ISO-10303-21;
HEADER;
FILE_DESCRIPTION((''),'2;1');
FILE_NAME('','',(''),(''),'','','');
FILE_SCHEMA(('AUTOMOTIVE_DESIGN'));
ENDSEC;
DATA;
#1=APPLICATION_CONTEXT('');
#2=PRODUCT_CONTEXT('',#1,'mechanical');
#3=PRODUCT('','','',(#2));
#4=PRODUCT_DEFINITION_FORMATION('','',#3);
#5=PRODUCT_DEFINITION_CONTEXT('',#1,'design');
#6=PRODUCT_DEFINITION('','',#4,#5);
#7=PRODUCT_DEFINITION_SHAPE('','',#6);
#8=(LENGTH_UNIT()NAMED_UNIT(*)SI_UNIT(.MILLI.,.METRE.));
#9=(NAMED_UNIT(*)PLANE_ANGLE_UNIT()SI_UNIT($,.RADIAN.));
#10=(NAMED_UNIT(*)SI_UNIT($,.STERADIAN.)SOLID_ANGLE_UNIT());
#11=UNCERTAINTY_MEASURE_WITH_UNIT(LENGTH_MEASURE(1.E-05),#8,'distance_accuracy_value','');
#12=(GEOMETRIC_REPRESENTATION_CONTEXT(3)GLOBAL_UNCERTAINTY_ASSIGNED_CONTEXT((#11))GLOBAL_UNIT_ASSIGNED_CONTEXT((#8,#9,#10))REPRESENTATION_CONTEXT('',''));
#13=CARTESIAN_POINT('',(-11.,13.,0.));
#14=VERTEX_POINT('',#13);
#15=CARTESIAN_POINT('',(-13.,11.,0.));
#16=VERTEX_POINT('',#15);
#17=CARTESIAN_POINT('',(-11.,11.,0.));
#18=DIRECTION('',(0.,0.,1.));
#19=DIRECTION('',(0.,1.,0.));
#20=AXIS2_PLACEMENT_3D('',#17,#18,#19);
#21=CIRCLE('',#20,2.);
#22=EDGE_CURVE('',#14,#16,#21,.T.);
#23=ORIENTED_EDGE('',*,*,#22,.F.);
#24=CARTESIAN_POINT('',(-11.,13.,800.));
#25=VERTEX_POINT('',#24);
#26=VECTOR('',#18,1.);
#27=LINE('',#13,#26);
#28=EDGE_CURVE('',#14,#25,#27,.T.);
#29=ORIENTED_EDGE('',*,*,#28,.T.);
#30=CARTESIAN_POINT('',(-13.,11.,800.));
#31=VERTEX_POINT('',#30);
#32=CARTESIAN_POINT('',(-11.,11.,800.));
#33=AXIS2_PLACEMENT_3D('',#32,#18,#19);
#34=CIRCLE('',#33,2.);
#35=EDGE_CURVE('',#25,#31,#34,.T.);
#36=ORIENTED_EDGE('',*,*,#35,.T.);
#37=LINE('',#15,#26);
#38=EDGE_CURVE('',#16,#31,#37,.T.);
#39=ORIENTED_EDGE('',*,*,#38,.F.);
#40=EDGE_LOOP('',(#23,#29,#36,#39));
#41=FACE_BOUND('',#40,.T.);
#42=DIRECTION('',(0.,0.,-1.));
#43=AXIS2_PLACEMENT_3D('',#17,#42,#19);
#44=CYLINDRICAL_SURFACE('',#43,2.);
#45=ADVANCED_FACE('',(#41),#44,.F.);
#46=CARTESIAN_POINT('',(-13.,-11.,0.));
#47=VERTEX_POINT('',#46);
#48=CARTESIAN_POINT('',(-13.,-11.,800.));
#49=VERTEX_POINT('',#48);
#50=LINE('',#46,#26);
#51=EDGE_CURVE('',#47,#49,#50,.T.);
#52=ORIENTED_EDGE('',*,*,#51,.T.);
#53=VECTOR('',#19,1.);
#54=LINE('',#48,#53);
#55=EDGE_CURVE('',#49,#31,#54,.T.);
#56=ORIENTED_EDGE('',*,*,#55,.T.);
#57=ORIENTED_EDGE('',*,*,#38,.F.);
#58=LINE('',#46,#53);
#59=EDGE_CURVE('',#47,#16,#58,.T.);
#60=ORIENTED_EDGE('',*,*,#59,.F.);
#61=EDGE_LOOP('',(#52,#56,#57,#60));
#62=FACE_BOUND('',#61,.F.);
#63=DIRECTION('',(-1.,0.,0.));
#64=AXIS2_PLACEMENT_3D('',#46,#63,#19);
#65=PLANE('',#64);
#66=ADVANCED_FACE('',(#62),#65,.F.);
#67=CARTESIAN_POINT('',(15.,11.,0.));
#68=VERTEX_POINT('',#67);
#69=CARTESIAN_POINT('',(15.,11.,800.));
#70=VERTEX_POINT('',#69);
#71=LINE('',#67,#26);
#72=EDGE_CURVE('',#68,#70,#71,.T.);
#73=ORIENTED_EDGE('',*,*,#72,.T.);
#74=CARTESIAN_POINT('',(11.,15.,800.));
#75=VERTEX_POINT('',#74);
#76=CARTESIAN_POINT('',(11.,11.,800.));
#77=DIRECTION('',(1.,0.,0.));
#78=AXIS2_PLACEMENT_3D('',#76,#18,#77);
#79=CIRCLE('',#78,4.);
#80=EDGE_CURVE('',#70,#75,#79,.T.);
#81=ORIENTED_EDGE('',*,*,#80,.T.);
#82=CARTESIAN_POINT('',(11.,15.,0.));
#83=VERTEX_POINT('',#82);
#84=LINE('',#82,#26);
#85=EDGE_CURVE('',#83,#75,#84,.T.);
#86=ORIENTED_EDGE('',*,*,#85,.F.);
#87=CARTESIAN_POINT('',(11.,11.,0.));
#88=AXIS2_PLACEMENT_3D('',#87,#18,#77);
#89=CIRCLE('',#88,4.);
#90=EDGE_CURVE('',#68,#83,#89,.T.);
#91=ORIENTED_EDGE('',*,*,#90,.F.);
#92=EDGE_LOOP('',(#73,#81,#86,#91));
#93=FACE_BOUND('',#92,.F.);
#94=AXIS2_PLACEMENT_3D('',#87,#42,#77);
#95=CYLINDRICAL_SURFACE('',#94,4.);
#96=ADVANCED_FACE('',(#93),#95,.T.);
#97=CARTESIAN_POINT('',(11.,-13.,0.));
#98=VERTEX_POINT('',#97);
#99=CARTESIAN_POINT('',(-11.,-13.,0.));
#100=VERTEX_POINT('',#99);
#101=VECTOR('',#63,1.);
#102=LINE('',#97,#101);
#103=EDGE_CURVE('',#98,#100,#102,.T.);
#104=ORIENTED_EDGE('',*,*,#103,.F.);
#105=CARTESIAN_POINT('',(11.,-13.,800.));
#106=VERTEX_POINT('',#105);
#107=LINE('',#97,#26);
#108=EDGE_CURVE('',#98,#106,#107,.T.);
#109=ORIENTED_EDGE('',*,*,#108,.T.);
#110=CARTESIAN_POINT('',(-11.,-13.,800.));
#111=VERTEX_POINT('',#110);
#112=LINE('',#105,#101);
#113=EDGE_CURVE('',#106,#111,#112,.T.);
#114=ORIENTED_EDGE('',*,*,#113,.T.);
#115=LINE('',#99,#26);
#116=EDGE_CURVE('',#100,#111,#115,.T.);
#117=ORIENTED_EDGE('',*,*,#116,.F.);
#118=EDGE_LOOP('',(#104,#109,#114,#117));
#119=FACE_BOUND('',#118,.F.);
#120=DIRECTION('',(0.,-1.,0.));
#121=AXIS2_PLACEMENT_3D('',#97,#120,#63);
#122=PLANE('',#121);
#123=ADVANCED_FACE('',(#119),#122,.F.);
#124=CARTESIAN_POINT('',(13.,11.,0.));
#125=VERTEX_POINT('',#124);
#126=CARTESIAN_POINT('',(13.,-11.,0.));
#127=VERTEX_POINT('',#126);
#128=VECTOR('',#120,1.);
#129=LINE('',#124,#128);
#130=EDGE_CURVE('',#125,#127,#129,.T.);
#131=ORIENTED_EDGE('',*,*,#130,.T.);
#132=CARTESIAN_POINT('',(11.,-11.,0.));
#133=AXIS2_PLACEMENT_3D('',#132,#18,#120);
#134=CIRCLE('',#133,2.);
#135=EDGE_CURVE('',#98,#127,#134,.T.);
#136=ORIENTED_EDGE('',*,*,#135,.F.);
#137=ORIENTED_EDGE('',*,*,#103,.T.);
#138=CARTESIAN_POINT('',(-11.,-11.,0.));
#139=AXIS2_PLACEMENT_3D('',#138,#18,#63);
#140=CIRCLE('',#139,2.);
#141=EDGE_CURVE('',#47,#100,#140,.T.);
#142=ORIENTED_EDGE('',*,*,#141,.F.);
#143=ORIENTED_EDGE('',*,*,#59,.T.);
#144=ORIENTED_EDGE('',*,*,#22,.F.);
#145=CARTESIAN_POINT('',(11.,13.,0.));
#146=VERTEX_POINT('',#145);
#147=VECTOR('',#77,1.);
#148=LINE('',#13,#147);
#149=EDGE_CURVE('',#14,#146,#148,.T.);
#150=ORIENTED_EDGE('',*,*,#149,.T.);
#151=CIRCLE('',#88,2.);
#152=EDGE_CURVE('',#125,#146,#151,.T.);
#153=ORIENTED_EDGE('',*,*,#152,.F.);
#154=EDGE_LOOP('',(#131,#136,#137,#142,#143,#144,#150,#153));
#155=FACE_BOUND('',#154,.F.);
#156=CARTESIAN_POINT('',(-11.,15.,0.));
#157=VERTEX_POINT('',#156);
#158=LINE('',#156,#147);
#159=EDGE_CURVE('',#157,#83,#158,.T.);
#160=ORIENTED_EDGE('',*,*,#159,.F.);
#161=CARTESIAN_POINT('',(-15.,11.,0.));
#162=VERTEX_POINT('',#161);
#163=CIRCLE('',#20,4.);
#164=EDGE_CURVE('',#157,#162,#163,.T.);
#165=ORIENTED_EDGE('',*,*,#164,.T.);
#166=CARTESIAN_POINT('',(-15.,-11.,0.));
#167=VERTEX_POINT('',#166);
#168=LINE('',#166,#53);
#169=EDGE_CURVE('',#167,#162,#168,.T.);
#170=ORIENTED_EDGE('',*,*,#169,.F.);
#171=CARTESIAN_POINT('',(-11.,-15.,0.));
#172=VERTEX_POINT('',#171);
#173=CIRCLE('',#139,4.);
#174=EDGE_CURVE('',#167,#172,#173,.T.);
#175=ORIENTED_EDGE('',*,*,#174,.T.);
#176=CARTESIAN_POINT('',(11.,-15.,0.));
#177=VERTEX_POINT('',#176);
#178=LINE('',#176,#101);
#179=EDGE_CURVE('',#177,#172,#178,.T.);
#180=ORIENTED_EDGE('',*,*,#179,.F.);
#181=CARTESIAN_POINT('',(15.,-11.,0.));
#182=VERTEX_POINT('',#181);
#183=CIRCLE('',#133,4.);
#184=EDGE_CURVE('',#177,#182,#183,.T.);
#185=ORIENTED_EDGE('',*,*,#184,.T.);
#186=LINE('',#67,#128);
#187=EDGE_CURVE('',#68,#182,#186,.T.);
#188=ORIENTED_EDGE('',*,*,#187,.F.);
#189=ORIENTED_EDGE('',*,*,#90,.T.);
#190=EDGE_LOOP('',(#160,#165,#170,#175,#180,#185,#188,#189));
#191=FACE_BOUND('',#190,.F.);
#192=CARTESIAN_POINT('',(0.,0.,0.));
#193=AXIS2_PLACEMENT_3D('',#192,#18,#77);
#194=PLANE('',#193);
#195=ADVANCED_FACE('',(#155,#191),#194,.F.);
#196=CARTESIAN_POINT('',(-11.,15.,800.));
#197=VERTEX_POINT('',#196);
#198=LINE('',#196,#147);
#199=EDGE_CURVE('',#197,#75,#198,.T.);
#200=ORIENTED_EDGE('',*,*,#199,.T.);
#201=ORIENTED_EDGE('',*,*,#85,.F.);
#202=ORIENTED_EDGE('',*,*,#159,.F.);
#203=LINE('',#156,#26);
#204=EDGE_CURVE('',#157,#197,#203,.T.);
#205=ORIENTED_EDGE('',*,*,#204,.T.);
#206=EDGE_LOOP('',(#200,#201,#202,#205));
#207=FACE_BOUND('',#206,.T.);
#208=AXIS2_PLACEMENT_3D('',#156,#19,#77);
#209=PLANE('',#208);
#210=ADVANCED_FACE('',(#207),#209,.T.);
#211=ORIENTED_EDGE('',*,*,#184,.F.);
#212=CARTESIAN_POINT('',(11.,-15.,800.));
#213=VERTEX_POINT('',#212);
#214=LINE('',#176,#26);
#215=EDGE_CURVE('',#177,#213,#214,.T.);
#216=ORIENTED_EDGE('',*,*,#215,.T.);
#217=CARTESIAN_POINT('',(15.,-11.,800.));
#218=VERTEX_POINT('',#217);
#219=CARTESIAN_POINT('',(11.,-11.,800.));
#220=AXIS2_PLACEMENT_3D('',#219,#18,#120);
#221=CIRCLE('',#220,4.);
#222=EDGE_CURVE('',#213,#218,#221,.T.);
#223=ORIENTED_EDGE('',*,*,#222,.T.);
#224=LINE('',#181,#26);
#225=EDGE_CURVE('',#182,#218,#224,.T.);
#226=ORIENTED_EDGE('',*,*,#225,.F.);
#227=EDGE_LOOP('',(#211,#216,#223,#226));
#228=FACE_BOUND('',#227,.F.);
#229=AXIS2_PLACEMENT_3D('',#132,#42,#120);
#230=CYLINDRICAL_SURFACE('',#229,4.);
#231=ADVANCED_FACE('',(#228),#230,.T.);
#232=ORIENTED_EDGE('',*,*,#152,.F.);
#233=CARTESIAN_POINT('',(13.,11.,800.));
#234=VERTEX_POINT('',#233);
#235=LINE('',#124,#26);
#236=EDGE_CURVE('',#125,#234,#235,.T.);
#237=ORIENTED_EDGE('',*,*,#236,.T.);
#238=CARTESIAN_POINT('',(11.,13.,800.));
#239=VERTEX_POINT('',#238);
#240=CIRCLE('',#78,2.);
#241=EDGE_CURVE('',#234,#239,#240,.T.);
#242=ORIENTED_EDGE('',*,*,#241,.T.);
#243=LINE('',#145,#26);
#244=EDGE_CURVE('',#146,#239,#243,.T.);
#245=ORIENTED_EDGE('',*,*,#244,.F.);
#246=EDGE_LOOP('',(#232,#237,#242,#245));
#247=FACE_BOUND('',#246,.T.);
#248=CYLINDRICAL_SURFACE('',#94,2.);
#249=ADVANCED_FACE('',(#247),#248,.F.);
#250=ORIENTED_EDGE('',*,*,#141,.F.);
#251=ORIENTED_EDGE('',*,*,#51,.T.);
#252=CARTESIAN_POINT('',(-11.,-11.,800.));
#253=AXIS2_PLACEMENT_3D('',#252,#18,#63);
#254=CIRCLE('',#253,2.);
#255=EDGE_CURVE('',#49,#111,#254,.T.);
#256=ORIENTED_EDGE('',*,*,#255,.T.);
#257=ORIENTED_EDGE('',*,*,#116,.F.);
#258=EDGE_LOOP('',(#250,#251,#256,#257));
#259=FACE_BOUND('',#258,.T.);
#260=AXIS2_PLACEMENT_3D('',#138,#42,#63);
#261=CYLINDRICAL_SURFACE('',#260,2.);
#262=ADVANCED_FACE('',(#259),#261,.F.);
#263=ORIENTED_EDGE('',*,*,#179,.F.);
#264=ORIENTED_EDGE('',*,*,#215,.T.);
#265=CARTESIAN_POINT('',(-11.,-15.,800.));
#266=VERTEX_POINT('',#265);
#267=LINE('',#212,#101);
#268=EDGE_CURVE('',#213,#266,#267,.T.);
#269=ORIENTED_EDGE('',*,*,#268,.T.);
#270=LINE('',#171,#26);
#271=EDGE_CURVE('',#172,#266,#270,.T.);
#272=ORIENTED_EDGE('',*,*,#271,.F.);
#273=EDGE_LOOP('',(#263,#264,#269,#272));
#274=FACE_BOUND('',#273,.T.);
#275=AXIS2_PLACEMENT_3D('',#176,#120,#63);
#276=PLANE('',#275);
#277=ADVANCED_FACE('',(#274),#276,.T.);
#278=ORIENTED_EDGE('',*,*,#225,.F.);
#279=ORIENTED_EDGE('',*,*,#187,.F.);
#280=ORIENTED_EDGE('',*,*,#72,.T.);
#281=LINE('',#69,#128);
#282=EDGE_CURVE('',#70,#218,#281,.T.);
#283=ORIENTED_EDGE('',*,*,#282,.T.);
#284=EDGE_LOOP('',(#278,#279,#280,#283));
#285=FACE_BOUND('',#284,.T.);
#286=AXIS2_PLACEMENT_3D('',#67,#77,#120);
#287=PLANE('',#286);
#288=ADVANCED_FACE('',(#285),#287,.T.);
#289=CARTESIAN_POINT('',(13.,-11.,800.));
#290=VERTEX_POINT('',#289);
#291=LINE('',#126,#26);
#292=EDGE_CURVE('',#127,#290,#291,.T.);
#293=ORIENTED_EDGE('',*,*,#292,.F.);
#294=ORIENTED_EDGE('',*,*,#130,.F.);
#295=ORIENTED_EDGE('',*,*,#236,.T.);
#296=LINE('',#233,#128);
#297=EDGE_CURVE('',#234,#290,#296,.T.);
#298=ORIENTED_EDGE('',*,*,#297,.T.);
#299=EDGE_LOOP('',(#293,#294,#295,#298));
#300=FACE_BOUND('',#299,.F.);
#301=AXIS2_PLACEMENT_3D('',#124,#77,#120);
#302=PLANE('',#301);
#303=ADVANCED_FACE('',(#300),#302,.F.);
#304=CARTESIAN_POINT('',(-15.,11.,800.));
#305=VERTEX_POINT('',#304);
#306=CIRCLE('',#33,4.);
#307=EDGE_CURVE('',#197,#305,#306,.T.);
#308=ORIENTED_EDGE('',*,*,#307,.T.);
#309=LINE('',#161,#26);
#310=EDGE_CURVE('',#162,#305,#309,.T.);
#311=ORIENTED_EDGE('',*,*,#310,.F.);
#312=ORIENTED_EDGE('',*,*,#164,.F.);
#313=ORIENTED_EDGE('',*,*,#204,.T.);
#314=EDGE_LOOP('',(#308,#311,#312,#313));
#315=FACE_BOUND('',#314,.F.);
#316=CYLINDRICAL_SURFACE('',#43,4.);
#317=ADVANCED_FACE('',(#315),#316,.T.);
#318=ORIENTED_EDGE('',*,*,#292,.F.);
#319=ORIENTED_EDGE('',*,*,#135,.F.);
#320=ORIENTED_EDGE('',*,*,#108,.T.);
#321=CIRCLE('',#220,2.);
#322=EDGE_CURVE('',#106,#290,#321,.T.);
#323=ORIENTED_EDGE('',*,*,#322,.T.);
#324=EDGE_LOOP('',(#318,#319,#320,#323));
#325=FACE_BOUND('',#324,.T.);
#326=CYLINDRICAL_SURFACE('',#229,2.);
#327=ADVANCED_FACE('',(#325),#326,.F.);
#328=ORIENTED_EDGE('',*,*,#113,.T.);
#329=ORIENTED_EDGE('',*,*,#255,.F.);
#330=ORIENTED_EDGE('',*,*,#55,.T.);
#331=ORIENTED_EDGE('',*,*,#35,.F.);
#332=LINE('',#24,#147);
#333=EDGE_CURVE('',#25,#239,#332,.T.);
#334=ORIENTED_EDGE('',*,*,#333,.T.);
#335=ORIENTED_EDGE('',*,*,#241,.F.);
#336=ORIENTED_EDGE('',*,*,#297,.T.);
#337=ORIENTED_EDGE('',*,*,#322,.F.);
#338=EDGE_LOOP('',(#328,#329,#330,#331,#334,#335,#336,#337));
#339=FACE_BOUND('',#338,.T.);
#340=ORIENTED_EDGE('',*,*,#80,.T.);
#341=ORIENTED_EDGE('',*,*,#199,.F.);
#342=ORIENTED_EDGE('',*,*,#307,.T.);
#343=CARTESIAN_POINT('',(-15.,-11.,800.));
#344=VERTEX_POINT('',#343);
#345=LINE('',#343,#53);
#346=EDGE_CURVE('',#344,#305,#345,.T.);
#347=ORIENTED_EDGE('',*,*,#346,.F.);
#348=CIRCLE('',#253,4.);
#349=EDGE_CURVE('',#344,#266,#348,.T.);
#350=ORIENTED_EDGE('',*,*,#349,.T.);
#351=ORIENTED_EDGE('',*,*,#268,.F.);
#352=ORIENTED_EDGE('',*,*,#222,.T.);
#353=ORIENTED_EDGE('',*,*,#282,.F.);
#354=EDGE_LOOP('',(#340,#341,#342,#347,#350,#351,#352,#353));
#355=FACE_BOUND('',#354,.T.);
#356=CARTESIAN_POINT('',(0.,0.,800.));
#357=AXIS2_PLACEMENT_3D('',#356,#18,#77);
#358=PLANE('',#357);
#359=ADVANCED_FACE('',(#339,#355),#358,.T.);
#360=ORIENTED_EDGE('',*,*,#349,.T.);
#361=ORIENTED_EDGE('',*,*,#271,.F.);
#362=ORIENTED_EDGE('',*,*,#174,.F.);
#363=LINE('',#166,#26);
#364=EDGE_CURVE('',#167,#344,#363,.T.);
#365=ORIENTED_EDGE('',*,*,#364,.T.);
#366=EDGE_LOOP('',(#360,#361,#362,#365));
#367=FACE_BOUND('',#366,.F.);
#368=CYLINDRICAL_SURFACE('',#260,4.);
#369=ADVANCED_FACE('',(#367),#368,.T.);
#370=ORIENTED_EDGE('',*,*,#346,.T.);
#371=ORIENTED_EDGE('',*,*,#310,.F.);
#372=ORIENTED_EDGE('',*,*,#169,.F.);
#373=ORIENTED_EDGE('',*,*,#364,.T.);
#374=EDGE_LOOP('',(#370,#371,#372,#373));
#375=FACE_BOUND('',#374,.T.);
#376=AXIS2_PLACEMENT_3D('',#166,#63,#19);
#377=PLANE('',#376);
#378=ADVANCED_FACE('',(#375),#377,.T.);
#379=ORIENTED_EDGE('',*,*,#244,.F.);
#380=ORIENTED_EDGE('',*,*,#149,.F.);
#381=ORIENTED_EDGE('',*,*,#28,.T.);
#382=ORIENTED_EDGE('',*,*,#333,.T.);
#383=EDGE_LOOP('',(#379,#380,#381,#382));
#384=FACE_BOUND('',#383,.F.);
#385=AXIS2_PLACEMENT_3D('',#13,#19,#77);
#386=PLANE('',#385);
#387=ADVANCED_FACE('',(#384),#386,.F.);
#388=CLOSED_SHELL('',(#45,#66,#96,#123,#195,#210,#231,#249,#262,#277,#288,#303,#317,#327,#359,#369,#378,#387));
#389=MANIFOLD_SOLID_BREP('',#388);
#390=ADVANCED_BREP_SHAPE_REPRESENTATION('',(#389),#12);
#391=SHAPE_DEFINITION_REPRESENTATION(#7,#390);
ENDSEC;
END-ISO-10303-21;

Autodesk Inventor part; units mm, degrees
ref_plane "YZ Plane" through (0, 0, 0) normal (1, 0, 0) x (0, 1, 0)
ref_plane "Plan de départ" through (0, 0, 0) normal (0, 0, 1) x (1, 0, 0)
ref_plane "Plan de fin" through (0, 0, 800) normal (0, 0, 1) x (1, 0, 0)
sketch "Esquisse" plane through (0, 0, 0) normal (0, 0, 1) x (1, 0, 0)
  line L0 (-15, -11) -> (-15, 11)
  line L1 (-11, 15) -> (11, 15)
  line L2 (15, 11) -> (15, -11)
  line L3 (11, -15) -> (-11, -15)
  arc A0 (-15, -11) -> (-11, -15) centre (-11, -11) ccw
  arc A1 (15, 11) -> (11, 15) centre (11, 11) ccw
  arc A2 (-11, 15) -> (-15, 11) centre (-11, 11) ccw
  arc A3 (11, -15) -> (15, -11) centre (11, -11) ccw
  arc A4 (-11, 13) -> (-13, 11) centre (-11, 11) ccw
  line L4 (-11, 13) -> (11, 13)
  arc A5 (13, 11) -> (11, 13) centre (11, 11) ccw
  line L5 (13, 11) -> (13, -11)
  arc A6 (11, -13) -> (13, -11) centre (11, -11) ccw
  line L6 (11, -13) -> (-11, -13)
  arc A7 (-13, -11) -> (-11, -13) centre (-11, -11) ccw
  line L7 (-13, -11) -> (-13, 11)
  line L8 (0, 22.1598) -> (0, -22.1598) construction
  line L9 (-22.1598, 0) -> (22.1598, 0) construction
  dimension "d7" = 4
  dimension "d9" = 30
  dimension "d11" = 30
  dimension "d12" = 2
  dimension "d15" = 15
  dimension "d16" = 15
extrude "Corps" add sketch "Esquisse" along normal up to surface (800 mm away) from surface at 0
sketch "Sketch3" plane through (0, 0, 0) normal (0, 0, 1) x (1, 0, 0)
  line L0 (0, 0) -> (10, 0)
ref_plane "Work Plane3" through (0, 0, 0) normal (0, -1, 0) x (1, 0, 0)
sketch "Sketch4" plane through (0, 0, 0) normal (0, -1, 0) x (1, 0, 0)
  line L0 (-2, 0) -> (12, 0) projected
  line L1 (-2, 800) -> (12, 800) projected
  dimension "d18" = 800
equation "\"d7\" = G_IR"
equation "\"d9\" = G_W"
equation "\"d11\" = G_H"
equation "\"d12\" = G_T"
equation "\"d15\" = 0.5 * d9"
equation "\"d16\" = 0.5 * d11"
equation "\"d3\" = G_L"
equation "\"G_W\" = 30"
equation "\"G_H\" = 30"
equation "\"G_T\" = 2"
equation "\"G_IR\" = 4"
equation "\"G_L\" = d18"
equation "\"G_OFFSET_START\" = 0"
equation "\"G_OFFSET_END\" = 0"
properties part number "ISO 10799-2 - 30x30x2 - 800" material "Acier, doux"
